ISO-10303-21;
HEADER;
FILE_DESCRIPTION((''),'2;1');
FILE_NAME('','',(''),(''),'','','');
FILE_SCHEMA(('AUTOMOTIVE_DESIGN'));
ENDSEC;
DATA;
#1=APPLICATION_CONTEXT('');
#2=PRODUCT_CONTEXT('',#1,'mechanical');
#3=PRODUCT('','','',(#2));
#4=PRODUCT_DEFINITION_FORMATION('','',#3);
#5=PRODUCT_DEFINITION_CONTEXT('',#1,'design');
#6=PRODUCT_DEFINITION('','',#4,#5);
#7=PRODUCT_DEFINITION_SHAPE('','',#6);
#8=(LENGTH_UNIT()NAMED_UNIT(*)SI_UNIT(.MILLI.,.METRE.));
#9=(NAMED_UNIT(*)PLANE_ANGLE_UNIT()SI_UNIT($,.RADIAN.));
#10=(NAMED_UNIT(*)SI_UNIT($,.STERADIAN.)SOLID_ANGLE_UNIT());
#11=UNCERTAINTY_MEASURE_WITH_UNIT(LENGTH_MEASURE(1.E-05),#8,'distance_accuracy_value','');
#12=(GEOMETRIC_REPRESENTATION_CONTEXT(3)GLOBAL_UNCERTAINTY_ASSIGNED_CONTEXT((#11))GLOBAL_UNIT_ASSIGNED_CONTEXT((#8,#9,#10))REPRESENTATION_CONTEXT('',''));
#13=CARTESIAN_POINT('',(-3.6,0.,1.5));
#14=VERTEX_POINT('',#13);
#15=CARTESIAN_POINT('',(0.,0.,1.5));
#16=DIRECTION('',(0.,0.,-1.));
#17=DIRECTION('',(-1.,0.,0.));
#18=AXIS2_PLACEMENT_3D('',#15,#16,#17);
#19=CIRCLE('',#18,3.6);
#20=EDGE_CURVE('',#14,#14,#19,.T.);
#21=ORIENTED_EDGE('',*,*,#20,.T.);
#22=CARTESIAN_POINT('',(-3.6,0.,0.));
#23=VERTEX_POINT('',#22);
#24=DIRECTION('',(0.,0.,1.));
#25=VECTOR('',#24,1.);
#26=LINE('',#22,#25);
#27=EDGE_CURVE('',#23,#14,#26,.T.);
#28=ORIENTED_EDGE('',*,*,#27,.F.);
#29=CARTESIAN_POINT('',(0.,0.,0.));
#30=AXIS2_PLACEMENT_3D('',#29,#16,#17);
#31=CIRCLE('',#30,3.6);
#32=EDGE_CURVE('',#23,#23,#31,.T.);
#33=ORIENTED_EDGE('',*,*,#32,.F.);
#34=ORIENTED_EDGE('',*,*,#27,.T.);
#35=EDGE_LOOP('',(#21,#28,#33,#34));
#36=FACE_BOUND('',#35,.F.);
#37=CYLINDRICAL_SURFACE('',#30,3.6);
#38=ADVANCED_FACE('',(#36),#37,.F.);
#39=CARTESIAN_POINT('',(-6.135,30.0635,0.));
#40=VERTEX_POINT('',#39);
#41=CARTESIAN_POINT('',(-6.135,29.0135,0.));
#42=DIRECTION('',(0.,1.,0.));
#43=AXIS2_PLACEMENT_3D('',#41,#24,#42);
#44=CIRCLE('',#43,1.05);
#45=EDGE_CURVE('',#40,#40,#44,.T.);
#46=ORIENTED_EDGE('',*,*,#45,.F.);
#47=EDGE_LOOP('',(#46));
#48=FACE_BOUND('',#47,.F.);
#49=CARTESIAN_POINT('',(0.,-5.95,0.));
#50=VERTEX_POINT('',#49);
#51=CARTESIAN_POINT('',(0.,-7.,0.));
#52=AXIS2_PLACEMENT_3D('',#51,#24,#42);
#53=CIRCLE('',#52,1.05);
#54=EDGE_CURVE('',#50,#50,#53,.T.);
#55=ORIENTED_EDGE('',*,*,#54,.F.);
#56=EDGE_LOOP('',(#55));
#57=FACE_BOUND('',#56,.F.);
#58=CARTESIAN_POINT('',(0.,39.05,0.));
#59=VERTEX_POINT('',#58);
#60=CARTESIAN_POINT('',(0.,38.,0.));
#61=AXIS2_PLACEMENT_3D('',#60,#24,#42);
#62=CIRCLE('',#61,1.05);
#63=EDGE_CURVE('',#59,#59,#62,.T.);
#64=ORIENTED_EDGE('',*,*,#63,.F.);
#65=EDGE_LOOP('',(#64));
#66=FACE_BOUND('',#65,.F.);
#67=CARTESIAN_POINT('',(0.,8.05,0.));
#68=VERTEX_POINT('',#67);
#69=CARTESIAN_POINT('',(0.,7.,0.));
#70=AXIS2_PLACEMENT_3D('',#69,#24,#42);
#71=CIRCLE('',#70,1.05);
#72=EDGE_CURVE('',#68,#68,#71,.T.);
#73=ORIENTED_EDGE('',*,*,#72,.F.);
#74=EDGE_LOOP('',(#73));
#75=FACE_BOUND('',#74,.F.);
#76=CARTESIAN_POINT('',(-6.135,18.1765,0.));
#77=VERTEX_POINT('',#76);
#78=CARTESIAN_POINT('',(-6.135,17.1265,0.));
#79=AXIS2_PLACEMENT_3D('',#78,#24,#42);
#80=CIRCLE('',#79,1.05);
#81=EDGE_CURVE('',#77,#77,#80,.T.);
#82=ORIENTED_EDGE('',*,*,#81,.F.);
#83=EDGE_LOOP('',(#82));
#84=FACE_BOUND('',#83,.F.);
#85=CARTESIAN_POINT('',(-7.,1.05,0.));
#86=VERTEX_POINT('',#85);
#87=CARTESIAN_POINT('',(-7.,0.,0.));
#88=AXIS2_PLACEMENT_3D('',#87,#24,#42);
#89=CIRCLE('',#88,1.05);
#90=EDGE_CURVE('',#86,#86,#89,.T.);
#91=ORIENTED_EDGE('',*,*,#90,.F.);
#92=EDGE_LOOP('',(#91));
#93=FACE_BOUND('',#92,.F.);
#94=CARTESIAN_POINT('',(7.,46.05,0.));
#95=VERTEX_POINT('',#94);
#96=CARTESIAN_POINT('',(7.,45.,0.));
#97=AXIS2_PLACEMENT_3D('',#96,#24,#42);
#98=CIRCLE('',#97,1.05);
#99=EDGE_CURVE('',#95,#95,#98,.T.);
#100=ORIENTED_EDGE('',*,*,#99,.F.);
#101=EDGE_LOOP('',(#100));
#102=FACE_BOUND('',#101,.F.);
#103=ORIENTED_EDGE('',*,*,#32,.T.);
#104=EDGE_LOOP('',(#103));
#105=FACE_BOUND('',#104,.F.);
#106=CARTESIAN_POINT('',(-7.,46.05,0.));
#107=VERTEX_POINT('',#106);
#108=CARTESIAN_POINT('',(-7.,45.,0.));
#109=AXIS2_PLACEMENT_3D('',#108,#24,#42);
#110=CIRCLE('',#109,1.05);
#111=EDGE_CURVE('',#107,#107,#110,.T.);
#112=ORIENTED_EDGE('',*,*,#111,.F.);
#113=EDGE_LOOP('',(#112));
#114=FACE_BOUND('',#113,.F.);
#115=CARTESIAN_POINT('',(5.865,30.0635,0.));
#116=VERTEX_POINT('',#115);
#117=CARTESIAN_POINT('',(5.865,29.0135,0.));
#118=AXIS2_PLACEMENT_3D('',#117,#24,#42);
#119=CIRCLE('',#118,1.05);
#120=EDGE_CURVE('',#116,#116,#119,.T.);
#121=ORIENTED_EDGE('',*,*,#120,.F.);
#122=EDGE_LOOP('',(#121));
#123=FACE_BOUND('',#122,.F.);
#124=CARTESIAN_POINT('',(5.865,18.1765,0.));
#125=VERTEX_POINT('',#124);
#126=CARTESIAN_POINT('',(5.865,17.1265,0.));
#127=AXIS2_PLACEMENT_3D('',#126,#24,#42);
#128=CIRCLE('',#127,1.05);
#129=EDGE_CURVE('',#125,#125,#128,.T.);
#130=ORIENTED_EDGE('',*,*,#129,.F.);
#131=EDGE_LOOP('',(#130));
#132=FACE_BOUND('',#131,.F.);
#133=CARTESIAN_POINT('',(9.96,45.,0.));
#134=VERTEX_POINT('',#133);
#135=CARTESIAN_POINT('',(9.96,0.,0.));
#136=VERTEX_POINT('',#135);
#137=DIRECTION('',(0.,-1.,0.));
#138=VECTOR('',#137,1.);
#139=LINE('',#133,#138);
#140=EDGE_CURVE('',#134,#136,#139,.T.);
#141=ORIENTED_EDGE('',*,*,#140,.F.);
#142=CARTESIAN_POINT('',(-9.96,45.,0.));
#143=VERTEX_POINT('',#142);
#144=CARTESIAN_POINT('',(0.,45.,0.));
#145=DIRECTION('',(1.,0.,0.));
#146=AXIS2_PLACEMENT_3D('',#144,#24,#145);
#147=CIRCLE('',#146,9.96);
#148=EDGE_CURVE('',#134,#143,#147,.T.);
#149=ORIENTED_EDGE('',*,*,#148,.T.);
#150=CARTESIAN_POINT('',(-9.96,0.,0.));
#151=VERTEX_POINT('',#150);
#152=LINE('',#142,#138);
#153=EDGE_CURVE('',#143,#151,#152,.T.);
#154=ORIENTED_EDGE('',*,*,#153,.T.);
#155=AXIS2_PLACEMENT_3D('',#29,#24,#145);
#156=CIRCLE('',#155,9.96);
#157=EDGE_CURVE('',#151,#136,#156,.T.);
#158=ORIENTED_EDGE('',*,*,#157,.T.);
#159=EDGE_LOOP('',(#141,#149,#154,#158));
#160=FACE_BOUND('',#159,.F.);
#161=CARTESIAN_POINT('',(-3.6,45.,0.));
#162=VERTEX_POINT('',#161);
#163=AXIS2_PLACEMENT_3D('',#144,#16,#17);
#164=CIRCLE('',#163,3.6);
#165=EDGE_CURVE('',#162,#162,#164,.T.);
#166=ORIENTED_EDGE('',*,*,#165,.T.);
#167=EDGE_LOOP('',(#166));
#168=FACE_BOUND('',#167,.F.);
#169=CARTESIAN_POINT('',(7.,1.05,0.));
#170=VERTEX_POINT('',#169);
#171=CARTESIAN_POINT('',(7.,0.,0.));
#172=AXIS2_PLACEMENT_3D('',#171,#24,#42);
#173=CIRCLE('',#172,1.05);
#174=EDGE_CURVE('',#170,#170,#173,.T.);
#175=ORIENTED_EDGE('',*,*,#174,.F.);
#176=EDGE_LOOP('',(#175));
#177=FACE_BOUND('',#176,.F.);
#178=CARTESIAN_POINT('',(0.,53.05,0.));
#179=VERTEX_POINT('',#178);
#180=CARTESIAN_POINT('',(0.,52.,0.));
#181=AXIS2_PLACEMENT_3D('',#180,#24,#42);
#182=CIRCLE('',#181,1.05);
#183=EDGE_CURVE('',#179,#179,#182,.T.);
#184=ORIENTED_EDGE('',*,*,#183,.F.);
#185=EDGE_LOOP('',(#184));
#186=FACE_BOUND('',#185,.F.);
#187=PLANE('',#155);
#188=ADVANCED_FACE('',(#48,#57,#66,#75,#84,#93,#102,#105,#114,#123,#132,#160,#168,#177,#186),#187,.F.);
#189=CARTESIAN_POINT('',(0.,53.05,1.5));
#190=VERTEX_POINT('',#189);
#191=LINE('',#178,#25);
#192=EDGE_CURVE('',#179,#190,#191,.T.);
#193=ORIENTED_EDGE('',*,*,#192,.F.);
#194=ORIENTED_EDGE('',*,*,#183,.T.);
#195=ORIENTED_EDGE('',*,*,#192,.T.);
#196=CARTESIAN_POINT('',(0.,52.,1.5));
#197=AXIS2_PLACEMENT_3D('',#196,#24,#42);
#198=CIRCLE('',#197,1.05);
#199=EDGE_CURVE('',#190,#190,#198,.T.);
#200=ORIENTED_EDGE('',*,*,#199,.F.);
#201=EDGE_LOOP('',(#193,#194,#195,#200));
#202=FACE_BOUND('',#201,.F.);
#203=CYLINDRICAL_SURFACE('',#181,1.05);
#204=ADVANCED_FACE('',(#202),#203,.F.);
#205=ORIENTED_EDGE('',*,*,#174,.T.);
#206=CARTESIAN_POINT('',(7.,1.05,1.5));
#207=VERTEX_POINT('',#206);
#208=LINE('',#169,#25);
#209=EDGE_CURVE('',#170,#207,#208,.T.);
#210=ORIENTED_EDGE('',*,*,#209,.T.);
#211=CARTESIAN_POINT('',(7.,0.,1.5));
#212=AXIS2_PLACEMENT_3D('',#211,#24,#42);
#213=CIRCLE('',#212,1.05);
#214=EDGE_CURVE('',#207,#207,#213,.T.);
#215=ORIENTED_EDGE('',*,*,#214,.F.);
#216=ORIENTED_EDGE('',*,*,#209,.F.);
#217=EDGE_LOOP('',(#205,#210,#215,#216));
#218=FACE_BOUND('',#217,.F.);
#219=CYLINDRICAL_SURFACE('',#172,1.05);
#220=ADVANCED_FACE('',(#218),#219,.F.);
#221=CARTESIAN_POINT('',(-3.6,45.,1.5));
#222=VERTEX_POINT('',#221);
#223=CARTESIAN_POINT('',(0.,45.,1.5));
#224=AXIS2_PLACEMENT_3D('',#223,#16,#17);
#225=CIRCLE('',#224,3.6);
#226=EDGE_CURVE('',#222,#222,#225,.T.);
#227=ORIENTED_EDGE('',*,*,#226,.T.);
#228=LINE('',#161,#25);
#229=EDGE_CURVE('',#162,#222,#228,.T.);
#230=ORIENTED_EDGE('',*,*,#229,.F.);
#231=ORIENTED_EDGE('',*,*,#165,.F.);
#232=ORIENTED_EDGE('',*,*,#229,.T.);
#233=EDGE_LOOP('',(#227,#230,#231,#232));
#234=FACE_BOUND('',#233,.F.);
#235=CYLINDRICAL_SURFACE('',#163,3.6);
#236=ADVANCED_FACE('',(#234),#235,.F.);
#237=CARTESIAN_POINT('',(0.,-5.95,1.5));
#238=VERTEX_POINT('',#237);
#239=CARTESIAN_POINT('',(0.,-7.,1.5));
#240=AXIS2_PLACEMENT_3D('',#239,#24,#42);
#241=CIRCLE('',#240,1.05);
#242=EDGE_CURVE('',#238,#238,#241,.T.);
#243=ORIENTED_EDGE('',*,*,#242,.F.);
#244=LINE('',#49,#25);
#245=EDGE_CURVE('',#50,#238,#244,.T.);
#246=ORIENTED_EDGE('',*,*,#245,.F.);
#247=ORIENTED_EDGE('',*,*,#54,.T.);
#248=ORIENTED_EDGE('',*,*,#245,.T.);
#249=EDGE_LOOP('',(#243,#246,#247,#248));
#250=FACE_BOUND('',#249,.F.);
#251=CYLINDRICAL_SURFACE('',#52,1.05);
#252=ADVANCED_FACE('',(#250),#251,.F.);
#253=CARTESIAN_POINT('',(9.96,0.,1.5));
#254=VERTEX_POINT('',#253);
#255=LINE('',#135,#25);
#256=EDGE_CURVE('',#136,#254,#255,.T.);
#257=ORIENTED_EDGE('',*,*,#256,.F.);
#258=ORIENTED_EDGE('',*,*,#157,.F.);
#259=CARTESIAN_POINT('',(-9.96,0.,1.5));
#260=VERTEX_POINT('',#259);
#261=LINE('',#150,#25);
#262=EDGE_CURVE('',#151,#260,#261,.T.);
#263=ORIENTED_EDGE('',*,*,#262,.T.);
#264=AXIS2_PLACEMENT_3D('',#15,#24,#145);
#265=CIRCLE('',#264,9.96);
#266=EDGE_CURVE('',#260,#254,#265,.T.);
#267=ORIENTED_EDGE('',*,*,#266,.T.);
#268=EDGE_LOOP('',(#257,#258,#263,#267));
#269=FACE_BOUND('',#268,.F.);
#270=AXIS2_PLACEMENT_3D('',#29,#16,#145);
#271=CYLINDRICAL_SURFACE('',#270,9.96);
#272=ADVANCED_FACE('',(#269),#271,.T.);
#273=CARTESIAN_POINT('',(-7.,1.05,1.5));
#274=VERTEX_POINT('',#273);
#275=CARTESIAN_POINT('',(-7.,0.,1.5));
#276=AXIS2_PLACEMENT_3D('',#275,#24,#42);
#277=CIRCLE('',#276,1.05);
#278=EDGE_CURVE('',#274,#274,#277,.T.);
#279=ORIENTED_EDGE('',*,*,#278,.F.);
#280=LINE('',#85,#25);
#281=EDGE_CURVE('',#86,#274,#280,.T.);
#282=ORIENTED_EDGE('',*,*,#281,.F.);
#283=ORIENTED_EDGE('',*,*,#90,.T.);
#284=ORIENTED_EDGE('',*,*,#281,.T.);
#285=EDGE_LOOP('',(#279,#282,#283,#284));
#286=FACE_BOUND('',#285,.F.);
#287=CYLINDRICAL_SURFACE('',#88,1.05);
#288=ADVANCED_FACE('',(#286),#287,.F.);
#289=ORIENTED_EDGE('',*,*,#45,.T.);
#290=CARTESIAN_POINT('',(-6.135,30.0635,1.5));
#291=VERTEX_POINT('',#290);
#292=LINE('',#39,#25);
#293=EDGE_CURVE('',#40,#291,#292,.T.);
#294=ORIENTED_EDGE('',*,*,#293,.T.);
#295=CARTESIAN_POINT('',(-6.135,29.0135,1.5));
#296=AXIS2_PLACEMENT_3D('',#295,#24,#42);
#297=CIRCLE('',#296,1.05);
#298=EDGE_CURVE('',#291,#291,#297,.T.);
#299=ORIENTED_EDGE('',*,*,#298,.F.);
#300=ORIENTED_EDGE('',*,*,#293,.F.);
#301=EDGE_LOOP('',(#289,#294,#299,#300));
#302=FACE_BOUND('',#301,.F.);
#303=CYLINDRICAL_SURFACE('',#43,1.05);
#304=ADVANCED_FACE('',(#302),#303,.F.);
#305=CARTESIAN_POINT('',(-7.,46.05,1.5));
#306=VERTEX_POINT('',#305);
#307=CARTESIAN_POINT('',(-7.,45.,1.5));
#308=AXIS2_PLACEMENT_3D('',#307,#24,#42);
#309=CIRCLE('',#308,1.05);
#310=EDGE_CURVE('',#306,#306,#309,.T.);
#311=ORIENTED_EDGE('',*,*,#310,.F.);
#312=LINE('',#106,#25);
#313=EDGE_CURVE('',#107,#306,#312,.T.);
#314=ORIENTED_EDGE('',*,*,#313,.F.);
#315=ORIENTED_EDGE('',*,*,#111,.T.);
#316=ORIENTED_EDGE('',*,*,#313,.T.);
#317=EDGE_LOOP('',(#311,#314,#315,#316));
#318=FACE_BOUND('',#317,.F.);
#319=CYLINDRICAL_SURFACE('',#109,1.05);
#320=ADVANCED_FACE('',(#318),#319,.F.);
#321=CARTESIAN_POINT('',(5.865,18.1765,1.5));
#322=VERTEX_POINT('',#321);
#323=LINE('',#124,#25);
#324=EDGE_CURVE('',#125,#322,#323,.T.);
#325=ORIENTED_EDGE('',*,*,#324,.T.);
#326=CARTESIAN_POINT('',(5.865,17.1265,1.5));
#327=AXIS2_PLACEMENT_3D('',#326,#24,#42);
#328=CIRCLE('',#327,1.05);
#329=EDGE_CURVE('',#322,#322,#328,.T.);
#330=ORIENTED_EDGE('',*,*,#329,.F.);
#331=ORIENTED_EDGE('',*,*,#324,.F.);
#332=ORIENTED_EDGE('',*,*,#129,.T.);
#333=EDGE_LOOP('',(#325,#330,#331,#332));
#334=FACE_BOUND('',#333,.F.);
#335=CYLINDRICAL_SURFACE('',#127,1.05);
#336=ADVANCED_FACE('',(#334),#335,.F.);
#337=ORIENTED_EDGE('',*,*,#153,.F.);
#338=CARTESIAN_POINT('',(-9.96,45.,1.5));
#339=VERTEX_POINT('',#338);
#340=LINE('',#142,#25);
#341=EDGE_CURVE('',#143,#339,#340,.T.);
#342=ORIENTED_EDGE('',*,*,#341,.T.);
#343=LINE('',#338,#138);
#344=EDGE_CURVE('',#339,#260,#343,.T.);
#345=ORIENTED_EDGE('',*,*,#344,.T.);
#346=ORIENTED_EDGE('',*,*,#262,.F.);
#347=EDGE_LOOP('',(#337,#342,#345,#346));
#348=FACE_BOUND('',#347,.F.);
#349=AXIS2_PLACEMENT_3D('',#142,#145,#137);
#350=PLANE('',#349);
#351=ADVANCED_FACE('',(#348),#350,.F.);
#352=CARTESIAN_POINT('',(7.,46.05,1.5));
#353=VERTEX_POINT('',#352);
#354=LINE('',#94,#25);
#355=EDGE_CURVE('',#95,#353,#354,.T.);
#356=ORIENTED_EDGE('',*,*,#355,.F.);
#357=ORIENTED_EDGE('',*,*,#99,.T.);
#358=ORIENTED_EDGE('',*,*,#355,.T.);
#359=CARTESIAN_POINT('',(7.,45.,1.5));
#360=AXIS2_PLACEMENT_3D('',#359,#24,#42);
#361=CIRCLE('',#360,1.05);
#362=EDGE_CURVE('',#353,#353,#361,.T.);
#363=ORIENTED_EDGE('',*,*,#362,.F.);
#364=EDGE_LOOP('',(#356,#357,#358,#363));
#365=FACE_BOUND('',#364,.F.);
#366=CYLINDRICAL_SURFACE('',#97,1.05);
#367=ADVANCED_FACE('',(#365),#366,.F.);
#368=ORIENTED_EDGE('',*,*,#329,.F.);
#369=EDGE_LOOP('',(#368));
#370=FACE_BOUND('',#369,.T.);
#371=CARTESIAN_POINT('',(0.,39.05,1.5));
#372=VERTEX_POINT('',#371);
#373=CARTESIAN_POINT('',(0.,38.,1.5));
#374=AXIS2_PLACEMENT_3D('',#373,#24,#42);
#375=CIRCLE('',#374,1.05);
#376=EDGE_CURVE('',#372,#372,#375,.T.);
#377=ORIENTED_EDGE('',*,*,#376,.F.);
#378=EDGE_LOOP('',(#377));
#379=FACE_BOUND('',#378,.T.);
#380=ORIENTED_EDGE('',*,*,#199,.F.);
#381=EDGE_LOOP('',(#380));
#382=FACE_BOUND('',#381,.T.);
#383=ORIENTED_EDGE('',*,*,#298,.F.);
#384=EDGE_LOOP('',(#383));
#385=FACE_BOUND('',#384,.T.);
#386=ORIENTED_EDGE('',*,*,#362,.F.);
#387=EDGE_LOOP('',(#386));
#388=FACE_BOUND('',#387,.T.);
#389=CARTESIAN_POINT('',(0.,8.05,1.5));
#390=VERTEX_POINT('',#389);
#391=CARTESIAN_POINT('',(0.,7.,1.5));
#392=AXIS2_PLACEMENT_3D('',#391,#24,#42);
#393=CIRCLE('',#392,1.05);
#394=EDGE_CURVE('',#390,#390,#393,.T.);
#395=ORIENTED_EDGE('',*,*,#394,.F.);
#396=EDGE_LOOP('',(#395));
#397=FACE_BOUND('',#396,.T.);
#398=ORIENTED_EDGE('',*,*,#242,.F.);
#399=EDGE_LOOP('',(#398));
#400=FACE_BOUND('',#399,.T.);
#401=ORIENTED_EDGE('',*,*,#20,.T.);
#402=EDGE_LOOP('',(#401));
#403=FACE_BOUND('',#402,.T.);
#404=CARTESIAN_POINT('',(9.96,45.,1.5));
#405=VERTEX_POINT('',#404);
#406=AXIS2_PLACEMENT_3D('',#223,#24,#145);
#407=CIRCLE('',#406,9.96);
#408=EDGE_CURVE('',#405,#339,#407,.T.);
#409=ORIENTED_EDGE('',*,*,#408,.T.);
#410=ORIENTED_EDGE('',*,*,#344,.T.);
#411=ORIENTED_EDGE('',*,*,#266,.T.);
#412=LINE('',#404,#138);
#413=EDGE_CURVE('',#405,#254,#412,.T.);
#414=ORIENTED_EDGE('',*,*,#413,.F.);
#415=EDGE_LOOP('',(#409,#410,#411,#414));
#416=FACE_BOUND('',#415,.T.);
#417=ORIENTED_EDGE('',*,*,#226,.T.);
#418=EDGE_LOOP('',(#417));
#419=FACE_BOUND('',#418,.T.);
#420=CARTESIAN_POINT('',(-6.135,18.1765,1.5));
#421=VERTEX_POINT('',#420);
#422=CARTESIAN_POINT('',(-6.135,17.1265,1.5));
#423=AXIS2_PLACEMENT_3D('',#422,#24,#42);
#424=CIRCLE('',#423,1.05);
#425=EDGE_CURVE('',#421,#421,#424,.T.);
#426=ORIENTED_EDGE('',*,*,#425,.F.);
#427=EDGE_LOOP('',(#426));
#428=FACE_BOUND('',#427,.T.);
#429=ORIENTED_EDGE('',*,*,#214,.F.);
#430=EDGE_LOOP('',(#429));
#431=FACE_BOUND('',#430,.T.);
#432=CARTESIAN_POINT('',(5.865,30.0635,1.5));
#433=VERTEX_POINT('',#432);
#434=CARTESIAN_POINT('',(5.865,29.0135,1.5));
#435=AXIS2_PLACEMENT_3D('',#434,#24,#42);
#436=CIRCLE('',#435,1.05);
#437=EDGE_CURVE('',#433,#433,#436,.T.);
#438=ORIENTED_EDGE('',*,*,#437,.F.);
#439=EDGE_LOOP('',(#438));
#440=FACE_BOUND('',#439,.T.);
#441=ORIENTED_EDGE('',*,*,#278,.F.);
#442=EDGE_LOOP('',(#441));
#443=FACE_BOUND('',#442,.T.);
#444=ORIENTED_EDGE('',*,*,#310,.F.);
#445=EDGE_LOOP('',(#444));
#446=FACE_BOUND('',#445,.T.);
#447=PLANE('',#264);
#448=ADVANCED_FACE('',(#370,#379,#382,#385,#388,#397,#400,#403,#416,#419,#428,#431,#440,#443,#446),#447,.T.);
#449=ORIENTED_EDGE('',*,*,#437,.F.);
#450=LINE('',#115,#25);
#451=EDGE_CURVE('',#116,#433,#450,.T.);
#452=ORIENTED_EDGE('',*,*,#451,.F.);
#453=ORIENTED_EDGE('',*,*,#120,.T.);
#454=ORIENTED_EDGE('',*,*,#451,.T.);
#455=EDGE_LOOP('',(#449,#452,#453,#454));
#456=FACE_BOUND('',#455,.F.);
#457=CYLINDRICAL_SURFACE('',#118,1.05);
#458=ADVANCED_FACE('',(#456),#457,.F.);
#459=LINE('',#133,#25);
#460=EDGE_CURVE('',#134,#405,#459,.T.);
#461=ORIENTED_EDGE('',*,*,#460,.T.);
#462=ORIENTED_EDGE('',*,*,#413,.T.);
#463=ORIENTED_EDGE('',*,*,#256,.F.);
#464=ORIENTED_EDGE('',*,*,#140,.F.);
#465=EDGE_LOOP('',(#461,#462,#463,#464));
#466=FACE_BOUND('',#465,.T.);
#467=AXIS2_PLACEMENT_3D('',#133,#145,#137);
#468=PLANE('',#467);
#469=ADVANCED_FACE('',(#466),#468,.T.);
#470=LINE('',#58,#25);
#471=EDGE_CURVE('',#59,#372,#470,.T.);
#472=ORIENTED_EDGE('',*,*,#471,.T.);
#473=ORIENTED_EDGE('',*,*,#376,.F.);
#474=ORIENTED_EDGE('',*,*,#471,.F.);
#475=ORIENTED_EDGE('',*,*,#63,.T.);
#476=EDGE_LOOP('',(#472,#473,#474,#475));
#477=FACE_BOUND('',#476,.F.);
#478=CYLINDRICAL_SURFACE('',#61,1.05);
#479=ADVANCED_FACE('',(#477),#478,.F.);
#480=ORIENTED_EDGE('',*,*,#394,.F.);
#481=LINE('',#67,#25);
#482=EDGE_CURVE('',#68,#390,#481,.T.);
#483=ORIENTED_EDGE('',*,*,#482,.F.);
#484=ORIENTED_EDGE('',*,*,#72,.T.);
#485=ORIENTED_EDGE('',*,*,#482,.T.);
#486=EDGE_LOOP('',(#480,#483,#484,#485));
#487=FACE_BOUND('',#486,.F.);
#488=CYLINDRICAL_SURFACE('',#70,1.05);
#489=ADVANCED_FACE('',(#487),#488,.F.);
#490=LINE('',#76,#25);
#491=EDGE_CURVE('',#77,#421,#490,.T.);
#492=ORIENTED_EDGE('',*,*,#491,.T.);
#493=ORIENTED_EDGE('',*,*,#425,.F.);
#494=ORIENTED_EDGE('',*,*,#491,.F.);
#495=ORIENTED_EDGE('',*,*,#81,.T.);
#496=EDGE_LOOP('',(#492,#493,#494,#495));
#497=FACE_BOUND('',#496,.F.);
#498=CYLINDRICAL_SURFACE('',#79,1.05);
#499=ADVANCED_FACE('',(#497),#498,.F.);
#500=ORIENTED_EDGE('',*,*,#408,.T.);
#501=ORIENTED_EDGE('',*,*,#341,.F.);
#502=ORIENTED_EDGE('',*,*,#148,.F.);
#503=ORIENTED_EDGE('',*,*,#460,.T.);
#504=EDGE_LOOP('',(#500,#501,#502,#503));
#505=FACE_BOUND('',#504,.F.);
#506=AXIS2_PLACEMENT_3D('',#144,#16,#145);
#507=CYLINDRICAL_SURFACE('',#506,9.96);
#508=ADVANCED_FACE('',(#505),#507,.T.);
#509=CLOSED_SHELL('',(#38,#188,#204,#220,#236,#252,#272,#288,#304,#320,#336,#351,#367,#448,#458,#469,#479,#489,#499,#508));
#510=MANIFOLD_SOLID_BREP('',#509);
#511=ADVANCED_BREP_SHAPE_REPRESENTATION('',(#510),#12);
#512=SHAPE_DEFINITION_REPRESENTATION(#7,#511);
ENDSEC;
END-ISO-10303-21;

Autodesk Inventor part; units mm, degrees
ref_plane "YZ Plane" through (0, 0, 0) normal (1, 0, 0) x (0, 1, 0)
ref_plane "XZ Plane" through (0, 0, 0) normal (0, 1, 0) x (-1, 0, 0)
ref_plane "XY Plane" through (0, 0, 0) normal (0, 0, 1) x (1, 0, 0)
sketch "Sketch1" plane through (0, 0, 0) normal (0, 0, 1) x (1, 0, 0)
  circle A0 centre (0, 0) radius 9.96
  circle A1 centre (0, 45) radius 9.96
  line L0 (-9.96, 45) -> (-9.96, 0)
  line L1 (9.96, 45) -> (9.96, 0)
  dimension "d0" = 19.92
  dimension "d1" = 45
extrude "Plate1" add sketch "Sketch1" along normal blind 1.5
sketch "Sketch2" plane through (0, 0, 0) normal (0, 0, -1) x (-1, 0, 0)
  circle A0 centre (-7, 0) radius 0.7835 projected
  circle A1 centre (0, 7) radius 0.7835 projected
  circle A2 centre (0, -7) radius 0.7835 projected
  circle A3 centre (7, 0) radius 0.7835 projected
  line L0 (9.96, 45) -> (9.96, 0) construction
  line L1 (-9.96, 0) -> (-9.96, 45) construction
  line L2 (9.96, 22.5) -> (-9.96, 22.5) construction
  point P0 (0, 0)
  point P1 (-7, 45)
  point P2 (0, 38)
  point P3 (0, 52)
  point P4 (7, 45)
hole "Hole1" at (0, 52, 0) at (-7, 45, 0) at (0, 38, 0) at (7, 45, 0) at (0, 7, 0) at (-7, 0, 0) at (0, -7, 0) at (7, 0, 0) direction (0, 0, 1) diameter 2.1 end through all
sketch "Sketch3" plane through (0, 0, 0) normal (0, 0, -1) x (-1, 0, 0)
  circle A0 centre (0, 0) radius 1.2295 projected
  circle A1 centre (0, 0) radius 3.6
  line L0 (-9.96, 0) -> (-9.96, 45) construction
  line L1 (9.96, 45) -> (9.96, 0) construction
  line L2 (-9.96, 22.5) -> (9.96, 22.5) construction
  circle A2 centre (0, 45) radius 3.6
  point P0 (0, 0)
  dimension "d10" = 7.2
extrude "Extrusion1" cut sketch "Sketch3" against normal through all contours A0 | A1 | A2
sketch "Sketch4" plane through (0, 0, 0) normal (0, 0, -1) x (-1, 0, 0)
  circle A0 centre (6.135, 29.0135) radius 0.7835 projected
  circle A1 centre (-5.865, 29.0135) radius 0.7835 projected
  circle A2 centre (-5.865, 17.1265) radius 0.7835 projected
  circle A3 centre (6.135, 17.1265) radius 0.7835 projected
  point P0 (0, 0)
hole "Hole2" at (5.865, 29.0135, 0) at (5.865, 17.1265, 0) at (-6.135, 17.1265, 0) at (-6.135, 29.0135, 0) direction (0, 0, 1) diameter 2.1 end through all
equation "\"d8\" = Thickness"
equation "\"d18\" = Thickness"
equation "\"d2\" = Thickness"
equation "\"BendReliefWidth\" = Thickness"
equation "\"BendReliefDepth\" = 0.5 * Thickness"
equation "\"CornerReliefSize\" = 4 * Thickness"
equation "\"MinimumRemnant\" = 2 * Thickness"
equation "\"TransitionRadius\" = BendRadius"
equation "\"JacobiRadiusSize\" = BendRadius"
equation "\"GapSize\" = Thickness"
equation "\"Thickness\" = 1.5"
equation "\"BendRadius\" = 0.31"
properties part number "axis_3_bottom_frame(bottom)" material "Aluminum 6061-AHC"
